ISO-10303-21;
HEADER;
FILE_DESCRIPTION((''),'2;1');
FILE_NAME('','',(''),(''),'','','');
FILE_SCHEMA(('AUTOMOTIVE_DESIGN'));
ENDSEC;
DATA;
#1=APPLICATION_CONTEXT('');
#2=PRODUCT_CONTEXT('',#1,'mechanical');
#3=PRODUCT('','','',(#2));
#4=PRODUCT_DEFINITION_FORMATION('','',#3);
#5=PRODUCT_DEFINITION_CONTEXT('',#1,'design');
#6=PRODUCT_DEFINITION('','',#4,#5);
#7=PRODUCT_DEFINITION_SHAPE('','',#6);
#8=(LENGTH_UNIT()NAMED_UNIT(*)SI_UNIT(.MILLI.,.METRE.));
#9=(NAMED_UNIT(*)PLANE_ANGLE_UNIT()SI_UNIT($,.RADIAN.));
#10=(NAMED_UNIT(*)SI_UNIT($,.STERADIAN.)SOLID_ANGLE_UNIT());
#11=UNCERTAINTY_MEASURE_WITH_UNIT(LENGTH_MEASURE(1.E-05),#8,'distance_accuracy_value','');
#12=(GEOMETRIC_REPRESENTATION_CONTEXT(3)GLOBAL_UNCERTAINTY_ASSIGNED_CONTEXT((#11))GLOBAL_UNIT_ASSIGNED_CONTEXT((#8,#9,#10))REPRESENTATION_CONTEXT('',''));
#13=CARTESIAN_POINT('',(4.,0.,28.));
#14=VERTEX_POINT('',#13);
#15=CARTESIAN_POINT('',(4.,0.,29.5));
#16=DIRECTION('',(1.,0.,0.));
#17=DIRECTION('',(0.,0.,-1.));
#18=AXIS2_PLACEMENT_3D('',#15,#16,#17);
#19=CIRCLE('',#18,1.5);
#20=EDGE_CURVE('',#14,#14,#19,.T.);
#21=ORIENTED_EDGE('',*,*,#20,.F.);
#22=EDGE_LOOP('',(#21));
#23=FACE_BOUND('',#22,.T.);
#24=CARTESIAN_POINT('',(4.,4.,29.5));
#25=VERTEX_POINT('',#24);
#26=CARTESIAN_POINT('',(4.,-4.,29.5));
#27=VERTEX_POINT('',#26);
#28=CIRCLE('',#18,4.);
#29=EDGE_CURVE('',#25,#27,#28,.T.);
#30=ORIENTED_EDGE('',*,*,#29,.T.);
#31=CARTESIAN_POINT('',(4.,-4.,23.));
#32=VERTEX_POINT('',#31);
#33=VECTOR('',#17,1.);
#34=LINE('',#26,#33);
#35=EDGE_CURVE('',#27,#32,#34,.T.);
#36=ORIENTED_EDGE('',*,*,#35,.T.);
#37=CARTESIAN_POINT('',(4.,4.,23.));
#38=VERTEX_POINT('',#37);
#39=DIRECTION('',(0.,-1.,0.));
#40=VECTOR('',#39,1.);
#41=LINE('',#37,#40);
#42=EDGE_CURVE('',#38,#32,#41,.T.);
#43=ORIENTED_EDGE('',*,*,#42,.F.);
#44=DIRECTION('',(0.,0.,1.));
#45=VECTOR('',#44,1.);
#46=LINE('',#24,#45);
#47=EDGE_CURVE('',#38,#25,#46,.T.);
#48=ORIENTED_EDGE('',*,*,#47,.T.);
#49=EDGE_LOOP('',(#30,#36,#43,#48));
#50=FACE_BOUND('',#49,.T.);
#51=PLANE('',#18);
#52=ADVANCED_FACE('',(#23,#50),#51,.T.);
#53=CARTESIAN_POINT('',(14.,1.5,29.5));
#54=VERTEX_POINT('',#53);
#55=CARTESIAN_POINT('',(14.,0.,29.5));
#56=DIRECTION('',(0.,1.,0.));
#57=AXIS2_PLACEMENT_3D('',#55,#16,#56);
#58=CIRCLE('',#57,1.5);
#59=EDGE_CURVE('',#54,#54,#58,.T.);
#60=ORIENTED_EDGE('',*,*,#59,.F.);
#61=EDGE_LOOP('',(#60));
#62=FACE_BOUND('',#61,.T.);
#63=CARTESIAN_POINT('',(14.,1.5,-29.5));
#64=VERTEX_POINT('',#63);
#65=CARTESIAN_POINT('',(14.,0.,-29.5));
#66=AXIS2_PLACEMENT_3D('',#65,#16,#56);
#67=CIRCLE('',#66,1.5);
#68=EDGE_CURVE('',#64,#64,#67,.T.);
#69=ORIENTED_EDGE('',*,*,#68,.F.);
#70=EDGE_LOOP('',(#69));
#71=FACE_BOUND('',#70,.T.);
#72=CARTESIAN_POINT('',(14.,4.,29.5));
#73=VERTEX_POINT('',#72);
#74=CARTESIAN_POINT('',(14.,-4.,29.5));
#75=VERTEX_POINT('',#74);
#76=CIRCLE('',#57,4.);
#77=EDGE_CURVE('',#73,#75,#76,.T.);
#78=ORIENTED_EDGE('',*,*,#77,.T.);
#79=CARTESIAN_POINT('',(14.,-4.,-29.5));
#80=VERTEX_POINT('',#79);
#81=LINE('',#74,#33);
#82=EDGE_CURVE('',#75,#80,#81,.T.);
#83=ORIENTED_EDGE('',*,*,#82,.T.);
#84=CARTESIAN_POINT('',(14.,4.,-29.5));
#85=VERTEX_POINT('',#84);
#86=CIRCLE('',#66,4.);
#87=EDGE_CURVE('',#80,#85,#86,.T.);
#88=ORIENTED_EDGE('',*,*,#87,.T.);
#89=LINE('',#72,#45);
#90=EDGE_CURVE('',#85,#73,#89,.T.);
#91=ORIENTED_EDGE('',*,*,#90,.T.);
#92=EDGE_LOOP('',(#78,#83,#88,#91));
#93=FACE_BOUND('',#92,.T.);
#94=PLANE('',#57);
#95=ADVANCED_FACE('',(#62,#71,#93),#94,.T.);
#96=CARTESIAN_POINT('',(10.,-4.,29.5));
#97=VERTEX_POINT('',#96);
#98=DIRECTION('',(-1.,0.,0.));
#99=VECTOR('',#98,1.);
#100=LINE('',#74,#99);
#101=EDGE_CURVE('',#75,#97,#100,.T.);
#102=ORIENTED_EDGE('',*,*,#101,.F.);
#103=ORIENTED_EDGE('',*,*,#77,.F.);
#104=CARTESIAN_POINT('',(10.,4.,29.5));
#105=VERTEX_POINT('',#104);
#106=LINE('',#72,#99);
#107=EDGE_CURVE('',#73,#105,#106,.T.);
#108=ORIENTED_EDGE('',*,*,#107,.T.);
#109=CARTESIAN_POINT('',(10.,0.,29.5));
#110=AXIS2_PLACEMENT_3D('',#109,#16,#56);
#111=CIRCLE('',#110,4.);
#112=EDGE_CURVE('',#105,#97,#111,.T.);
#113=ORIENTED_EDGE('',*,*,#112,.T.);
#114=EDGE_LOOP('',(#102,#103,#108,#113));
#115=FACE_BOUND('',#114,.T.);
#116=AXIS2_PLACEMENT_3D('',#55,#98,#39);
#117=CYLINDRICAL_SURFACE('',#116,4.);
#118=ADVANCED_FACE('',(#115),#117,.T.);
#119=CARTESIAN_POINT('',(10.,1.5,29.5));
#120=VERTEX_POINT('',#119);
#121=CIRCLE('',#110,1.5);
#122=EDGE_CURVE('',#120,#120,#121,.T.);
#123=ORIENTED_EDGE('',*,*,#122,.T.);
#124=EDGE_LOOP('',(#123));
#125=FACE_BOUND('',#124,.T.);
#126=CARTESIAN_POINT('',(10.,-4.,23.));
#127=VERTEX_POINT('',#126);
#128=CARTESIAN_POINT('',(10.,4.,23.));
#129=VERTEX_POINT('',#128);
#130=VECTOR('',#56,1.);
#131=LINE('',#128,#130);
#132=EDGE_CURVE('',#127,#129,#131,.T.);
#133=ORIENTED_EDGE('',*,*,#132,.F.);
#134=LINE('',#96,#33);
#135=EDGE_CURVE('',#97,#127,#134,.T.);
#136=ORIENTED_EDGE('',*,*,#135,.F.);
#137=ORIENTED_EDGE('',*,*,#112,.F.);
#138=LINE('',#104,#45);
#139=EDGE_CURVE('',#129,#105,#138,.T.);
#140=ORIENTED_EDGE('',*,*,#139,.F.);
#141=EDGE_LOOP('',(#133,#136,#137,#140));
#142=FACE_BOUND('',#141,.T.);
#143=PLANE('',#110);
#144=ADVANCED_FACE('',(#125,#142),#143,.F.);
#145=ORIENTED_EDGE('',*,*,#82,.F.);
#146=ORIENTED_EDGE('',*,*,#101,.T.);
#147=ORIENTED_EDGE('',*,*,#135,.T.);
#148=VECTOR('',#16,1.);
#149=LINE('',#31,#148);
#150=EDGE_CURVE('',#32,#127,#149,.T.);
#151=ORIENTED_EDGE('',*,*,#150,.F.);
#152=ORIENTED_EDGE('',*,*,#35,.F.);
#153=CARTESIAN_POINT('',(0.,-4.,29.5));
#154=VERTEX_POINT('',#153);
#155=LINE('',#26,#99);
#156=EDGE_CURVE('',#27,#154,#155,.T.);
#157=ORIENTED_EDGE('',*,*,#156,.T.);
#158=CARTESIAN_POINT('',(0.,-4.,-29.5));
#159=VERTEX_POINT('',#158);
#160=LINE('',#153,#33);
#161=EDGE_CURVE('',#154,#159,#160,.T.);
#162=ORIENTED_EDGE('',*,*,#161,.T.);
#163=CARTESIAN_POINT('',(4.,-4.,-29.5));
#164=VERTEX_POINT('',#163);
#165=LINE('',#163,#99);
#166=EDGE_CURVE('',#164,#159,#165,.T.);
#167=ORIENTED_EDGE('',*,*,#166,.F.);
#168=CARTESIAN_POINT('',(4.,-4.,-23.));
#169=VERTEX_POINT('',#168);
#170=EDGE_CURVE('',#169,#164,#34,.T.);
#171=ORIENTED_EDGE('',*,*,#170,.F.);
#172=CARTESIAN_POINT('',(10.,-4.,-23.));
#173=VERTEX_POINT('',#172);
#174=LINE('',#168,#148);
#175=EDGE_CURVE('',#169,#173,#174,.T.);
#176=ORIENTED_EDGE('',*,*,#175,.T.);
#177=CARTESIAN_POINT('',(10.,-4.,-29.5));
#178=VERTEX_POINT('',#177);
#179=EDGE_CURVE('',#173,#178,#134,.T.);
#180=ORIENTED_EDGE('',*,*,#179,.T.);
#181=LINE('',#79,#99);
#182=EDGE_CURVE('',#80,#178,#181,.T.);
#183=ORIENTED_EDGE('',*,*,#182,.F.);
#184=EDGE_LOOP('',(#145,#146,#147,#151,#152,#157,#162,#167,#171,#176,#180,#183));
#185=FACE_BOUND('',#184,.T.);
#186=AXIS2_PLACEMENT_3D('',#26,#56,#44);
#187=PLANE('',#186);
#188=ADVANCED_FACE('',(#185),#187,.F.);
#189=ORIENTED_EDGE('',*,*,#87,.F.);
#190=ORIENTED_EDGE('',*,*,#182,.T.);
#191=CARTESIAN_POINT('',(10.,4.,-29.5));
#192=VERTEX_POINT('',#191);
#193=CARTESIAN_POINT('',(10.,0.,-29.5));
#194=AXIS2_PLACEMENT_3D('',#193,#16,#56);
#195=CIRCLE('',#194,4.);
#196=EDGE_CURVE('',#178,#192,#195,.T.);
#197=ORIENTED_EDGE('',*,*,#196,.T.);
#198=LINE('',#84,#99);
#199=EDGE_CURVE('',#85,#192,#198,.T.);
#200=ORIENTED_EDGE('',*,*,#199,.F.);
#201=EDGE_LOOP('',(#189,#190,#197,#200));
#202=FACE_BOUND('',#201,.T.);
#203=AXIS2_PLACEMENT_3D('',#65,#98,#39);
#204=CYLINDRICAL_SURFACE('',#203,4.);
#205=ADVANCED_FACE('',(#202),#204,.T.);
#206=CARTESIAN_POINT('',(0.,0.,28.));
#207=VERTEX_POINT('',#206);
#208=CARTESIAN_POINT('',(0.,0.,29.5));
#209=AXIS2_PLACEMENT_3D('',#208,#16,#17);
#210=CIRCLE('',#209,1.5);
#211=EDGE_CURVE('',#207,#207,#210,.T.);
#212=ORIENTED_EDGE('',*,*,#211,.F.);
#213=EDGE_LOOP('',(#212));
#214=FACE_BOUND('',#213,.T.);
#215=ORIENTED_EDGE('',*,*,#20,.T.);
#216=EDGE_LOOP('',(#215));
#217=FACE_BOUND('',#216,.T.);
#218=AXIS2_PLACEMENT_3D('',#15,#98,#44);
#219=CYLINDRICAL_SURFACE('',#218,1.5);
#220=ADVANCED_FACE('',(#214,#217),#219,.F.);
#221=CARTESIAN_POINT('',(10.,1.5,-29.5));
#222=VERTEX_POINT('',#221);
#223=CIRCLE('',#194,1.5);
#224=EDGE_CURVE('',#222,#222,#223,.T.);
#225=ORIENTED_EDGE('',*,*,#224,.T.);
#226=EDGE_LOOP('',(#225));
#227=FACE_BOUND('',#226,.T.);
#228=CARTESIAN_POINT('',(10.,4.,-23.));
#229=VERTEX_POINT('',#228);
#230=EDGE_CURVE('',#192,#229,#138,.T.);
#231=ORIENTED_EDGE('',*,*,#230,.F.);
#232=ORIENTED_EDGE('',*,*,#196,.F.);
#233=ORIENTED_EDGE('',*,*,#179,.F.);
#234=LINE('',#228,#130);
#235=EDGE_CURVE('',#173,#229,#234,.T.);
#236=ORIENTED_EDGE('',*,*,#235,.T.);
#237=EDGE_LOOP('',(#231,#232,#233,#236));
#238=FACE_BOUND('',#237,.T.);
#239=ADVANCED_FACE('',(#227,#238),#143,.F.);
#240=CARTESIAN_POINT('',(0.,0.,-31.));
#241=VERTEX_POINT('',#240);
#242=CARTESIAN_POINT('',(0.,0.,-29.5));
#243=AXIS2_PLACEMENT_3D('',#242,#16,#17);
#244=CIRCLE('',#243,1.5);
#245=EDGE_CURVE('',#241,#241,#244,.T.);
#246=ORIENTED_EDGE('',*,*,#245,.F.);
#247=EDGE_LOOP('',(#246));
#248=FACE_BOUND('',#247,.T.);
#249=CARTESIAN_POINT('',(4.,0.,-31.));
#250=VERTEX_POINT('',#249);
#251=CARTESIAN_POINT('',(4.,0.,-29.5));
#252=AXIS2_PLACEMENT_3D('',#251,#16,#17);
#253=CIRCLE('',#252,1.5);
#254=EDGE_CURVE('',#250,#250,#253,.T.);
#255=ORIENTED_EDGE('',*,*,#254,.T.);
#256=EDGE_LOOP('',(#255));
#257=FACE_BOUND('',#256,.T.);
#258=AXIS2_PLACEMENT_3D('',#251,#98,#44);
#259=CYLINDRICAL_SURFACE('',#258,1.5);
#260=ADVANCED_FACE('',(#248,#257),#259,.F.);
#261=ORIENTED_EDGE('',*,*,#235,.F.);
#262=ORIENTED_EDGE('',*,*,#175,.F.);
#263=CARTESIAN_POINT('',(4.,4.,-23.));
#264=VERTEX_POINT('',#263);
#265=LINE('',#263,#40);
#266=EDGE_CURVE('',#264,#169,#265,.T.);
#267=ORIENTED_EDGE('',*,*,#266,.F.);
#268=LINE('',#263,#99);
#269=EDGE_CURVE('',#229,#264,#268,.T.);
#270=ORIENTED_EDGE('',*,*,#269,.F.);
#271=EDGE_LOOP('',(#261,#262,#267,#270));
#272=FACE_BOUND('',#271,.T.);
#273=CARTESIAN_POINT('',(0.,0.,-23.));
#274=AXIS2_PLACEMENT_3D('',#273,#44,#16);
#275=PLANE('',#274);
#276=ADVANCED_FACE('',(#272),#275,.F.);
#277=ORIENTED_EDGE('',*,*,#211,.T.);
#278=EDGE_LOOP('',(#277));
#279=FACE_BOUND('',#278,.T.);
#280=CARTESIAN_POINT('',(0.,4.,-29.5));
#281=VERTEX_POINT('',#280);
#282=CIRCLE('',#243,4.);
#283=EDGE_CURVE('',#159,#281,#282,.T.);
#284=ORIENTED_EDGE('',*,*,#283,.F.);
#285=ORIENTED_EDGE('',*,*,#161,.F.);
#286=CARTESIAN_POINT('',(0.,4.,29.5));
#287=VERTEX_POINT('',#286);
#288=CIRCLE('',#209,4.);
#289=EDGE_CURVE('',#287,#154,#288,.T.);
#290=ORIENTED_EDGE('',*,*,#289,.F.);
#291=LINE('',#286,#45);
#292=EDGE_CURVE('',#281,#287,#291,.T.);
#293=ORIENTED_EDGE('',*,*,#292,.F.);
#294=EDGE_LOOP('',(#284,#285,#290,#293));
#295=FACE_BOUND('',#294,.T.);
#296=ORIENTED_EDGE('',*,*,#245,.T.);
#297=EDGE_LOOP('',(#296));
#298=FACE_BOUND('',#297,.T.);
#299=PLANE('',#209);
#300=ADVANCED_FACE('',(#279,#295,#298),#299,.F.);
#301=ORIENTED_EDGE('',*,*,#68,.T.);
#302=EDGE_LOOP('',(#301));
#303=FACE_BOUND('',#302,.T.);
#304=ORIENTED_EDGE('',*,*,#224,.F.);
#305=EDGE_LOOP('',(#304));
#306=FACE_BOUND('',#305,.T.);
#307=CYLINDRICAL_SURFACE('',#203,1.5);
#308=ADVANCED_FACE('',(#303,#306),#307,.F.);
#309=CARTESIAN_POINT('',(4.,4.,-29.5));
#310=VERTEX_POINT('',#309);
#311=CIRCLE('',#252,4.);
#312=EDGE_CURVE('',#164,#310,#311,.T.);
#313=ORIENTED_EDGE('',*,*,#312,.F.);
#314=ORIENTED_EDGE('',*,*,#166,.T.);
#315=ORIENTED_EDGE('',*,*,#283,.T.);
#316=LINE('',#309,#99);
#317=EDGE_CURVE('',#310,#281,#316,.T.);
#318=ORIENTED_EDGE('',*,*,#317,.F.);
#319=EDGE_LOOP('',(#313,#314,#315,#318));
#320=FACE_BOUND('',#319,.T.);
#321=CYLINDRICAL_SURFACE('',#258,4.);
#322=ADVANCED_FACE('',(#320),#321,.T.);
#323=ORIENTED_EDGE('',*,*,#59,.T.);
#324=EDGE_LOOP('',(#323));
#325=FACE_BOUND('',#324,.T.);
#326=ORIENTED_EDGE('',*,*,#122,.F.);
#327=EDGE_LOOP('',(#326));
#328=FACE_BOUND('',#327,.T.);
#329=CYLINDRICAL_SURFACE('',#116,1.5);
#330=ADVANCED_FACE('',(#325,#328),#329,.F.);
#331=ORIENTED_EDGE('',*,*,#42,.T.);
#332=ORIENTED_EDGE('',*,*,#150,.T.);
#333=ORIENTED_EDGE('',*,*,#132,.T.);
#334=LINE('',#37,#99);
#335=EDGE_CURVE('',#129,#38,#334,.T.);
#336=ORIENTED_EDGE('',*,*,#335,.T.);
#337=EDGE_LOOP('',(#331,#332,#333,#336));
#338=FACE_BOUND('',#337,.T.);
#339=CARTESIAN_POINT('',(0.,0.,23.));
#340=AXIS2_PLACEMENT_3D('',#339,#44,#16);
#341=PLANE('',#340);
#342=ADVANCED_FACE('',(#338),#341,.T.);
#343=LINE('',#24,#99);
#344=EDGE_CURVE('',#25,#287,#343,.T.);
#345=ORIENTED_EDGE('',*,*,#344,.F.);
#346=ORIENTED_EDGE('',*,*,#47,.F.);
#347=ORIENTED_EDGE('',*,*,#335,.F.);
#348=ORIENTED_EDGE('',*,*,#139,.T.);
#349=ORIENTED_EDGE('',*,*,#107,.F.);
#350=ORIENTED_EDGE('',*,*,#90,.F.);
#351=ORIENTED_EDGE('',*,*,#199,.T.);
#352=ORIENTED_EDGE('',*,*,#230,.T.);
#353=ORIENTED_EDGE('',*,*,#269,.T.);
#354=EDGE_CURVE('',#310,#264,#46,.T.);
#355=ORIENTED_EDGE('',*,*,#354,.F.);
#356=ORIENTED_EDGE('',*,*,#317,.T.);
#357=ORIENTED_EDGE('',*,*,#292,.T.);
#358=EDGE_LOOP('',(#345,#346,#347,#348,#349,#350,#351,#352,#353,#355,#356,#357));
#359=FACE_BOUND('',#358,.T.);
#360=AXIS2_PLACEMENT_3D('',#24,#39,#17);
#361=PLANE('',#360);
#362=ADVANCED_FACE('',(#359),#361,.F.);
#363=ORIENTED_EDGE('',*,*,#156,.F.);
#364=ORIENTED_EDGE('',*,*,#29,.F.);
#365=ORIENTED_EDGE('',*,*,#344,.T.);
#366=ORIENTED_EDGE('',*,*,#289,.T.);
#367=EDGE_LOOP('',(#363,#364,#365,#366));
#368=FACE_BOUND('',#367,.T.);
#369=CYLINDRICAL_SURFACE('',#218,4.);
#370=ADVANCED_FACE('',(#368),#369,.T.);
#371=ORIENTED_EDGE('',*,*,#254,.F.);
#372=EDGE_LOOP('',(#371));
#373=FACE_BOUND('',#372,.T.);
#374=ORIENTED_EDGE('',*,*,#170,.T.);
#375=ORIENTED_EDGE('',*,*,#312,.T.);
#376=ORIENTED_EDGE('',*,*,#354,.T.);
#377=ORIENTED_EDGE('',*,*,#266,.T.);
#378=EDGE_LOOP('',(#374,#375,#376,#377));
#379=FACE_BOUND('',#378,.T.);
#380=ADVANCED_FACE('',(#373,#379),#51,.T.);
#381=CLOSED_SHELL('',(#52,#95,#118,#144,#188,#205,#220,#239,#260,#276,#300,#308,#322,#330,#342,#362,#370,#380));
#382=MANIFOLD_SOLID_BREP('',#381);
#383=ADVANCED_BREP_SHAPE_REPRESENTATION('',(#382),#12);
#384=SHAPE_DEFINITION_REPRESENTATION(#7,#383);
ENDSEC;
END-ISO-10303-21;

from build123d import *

# Parameters (mm, degrees)
CROQUIS1_R              = 1.5
SALIENTE_EXTRUIR1_DEPTH = 4
CROQUIS2_W              = 6
CROQUIS2_H              = 8
SALIENTE_EXTRUIR2_DEPTH = 23
CROQUIS3_R              = 1.5
SALIENTE_EXTRUIR3_DEPTH = 4


with BuildPart() as part:
    # Croquis1 → Saliente-Extruir1 (new body)
    with BuildSketch(Plane(origin=(0, 0, 0), x_dir=(0, 0, -1), z_dir=(1, 0, 0))):
        with BuildLine():
            Line((-29.5, 4), (29.5, 4))
            ThreePointArc((29.5, 4), (33.5, 0), (29.5, -4))
            Line((29.5, -4), (-29.5, -4))
            ThreePointArc((-29.5, -4), (-33.5, 0), (-29.5, 4))
        make_face()
        with Locations((-29.5, 0)):
            Circle(CROQUIS1_R, mode=Mode.SUBTRACT)
        with Locations((29.5, 0)):
            Circle(CROQUIS1_R, mode=Mode.SUBTRACT)
    extrude(amount=SALIENTE_EXTRUIR1_DEPTH)

    # Croquis2 → Saliente-Extruir2 (add, symmetric)
    with BuildSketch(Plane.XY):
        with Locations((7, 0)):
            Rectangle(CROQUIS2_W, CROQUIS2_H)
    extrude(amount=SALIENTE_EXTRUIR2_DEPTH, both=True)

    # Croquis3 → Saliente-Extruir3 (add)
    with BuildSketch(Plane(origin=(10, 0, 0), x_dir=(0, 0, -1), z_dir=(1, 0, 0))):
        with BuildLine():
            Line((-29.5, 4), (29.5, 4))
            ThreePointArc((29.5, 4), (33.5, 0), (29.5, -4))
            Line((29.5, -4), (-29.5, -4))
            ThreePointArc((-29.5, -4), (-33.5, 0), (-29.5, 4))
        make_face()
        with Locations((-29.5, 0)):
            Circle(CROQUIS3_R, mode=Mode.SUBTRACT)
        with Locations((29.5, 0)):
            Circle(CROQUIS3_R, mode=Mode.SUBTRACT)
    extrude(amount=SALIENTE_EXTRUIR3_DEPTH)


solid = part.part
